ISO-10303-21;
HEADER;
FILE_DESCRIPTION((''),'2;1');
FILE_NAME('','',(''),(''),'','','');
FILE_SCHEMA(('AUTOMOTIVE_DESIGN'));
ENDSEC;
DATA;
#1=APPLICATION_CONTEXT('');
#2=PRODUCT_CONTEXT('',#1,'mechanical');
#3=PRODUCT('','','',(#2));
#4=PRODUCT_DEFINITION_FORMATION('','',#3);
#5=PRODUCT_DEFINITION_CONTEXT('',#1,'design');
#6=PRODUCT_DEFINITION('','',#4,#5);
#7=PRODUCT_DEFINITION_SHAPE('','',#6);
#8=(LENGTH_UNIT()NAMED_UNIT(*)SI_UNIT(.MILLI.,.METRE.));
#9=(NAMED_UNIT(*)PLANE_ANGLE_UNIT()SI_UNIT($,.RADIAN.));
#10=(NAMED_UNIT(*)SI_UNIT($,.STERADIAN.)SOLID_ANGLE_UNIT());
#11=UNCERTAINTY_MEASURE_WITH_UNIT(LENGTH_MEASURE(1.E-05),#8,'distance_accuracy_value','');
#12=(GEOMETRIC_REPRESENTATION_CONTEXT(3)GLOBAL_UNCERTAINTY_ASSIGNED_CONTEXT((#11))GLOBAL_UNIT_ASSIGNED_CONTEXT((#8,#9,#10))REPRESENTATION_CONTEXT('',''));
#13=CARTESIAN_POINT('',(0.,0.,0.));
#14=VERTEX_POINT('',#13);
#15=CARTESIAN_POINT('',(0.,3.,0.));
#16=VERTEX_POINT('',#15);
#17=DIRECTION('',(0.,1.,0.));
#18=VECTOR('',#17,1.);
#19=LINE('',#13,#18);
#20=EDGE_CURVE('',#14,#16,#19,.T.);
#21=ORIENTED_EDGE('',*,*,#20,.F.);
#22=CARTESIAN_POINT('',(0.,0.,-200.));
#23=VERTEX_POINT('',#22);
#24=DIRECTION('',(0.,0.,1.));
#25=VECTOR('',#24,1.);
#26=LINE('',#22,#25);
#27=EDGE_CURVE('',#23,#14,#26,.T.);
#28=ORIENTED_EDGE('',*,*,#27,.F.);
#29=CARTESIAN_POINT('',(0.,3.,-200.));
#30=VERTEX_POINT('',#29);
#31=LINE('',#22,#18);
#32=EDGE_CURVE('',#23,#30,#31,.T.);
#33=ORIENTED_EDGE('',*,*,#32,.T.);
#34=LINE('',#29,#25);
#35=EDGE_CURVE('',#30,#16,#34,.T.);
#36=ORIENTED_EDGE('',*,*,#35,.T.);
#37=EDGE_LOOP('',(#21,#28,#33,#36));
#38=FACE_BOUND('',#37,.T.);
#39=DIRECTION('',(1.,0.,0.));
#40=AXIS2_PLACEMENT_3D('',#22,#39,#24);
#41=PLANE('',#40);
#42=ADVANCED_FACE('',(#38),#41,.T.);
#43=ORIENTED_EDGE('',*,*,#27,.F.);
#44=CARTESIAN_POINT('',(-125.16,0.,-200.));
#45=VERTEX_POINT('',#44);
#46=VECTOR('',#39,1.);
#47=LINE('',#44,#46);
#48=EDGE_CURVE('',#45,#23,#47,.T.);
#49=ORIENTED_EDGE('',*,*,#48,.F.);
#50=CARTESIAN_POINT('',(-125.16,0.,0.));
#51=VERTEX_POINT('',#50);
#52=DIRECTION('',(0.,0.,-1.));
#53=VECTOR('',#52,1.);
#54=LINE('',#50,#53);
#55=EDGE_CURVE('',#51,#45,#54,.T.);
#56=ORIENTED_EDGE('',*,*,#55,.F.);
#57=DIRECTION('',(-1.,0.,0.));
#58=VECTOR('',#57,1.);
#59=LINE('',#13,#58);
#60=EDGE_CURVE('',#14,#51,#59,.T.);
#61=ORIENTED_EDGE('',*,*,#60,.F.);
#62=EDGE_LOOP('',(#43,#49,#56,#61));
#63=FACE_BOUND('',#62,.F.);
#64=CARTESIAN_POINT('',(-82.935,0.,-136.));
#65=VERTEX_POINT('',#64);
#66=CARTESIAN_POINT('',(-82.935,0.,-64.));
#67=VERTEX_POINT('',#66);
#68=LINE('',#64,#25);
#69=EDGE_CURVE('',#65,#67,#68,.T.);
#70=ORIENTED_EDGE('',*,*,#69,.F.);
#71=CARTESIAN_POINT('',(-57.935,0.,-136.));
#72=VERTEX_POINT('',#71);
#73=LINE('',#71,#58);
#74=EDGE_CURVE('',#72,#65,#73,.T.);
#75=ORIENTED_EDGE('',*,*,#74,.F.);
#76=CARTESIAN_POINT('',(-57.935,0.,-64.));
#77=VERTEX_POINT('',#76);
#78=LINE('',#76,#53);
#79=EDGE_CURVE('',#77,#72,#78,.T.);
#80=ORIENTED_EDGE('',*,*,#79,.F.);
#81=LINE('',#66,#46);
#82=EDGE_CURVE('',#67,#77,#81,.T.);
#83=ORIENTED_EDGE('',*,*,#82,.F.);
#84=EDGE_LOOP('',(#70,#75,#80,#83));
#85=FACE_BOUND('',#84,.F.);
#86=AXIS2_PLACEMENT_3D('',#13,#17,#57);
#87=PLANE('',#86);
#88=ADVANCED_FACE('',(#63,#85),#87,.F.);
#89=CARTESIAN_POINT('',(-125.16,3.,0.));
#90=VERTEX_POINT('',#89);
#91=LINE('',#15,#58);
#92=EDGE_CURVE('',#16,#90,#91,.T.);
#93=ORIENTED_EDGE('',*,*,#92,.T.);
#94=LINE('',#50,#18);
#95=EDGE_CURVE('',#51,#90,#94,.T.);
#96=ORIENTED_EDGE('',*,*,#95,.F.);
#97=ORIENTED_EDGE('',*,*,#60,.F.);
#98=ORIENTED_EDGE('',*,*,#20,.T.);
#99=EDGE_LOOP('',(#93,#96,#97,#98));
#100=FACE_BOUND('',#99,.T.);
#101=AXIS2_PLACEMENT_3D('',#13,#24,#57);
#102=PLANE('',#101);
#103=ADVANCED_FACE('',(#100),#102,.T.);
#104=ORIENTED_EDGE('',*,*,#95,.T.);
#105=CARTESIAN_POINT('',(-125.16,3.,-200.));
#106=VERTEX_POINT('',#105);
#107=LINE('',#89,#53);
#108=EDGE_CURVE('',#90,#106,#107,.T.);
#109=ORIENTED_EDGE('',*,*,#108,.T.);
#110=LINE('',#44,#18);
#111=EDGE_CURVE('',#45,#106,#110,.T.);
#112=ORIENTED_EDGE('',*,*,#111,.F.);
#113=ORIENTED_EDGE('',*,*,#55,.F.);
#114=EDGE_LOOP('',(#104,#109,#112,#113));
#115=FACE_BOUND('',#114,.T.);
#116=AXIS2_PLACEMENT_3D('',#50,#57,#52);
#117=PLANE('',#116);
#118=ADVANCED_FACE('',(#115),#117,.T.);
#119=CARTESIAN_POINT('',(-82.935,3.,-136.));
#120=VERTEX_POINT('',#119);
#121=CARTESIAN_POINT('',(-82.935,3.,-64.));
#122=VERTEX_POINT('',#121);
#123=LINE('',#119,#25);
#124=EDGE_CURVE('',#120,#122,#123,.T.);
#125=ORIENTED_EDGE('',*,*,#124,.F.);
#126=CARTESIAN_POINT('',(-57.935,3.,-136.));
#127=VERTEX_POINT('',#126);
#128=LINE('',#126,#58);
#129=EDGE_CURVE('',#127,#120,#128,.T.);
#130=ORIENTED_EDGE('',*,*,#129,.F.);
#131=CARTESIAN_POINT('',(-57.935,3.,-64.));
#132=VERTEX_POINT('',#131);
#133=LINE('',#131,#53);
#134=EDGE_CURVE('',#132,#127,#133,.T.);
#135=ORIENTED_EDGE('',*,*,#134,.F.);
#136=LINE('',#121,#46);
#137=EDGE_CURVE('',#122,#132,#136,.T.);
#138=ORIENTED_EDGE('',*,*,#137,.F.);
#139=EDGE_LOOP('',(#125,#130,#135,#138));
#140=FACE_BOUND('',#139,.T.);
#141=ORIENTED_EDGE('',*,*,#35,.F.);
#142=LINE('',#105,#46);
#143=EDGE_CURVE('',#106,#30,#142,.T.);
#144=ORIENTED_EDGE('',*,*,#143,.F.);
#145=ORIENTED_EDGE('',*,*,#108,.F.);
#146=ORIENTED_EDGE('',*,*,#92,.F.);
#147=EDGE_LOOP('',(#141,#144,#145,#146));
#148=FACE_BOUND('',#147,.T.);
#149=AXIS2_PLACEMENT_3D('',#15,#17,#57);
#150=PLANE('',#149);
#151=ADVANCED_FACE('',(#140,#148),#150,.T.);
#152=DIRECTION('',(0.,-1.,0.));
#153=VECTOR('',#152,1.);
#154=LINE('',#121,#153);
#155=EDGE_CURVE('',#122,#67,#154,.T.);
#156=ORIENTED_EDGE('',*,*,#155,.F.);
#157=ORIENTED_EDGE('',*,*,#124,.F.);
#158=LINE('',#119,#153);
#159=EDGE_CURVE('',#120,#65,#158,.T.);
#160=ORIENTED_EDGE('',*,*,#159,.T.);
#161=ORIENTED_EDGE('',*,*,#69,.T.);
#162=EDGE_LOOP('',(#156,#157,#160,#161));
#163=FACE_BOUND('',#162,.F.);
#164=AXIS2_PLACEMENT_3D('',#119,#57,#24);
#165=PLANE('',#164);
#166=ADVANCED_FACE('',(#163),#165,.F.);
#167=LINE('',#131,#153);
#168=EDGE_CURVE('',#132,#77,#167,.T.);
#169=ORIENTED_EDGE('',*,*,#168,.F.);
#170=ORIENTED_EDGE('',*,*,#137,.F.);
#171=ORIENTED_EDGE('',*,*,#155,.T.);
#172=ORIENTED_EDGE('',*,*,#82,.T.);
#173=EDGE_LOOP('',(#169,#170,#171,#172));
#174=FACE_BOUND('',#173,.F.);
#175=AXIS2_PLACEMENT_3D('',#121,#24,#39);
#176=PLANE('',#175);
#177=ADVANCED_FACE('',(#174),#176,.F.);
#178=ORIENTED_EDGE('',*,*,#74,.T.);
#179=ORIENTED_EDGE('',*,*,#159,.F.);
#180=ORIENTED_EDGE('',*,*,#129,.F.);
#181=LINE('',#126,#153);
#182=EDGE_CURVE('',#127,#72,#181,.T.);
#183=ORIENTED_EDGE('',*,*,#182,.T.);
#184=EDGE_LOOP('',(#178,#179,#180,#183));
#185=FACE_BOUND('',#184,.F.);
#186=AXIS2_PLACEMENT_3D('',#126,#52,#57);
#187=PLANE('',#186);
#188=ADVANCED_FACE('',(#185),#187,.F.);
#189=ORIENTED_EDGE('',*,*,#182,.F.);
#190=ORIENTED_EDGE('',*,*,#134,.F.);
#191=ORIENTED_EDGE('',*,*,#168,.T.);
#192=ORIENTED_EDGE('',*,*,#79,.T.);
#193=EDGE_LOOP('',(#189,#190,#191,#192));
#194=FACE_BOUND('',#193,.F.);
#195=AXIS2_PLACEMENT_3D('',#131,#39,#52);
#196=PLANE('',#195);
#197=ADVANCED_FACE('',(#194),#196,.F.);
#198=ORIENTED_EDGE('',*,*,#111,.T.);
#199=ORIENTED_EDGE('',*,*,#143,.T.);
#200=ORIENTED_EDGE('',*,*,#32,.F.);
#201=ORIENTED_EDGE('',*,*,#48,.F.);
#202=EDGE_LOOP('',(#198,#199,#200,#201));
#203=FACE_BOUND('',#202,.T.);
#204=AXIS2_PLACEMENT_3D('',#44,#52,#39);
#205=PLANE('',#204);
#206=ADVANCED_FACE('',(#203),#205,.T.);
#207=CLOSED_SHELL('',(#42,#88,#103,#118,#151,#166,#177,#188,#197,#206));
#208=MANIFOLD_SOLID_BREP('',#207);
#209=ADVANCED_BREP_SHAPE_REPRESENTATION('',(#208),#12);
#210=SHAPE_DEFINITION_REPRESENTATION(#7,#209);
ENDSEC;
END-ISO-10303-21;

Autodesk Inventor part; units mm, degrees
ref_plane "YZ Plane" through (0, 0, 0) normal (1, 0, 0) x (0, 1, 0)
ref_plane "XZ Plane" through (0, 0, 0) normal (0, 1, 0) x (-1, 0, 0)
ref_plane "XY Plane" through (0, 0, 0) normal (0, 0, 1) x (1, 0, 0)
sketch "Sketch1" plane through (0, 0, 0) normal (0, 1, 0) x (-1, 0, 0)
  line L0 (0, 0) -> (125.16, 0)
  line L1 (125.16, 0) -> (125.16, -200)
  line L2 (125.16, -200) -> (0, -200)
  line L3 (0, -200) -> (0, 0)
  dimension "d0" = 200
  dimension "d1" = 125.16
extrude "Extrusion1" add sketch "Sketch1" along normal blind 3
sketch "Sketch2" plane through (0, 3, 0) normal (0, 1, 0) x (1, 0, 0)
  line L0 (-82.935, 64) -> (-57.935, 64)
  line L1 (-57.935, 64) -> (-57.935, 136)
  line L2 (-57.935, 136) -> (-82.935, 136)
  line L3 (-82.935, 136) -> (-82.935, 64)
  line L4 (-125.16, 200) -> (-125.16, 0) projected
  line L5 (0, 200) -> (-125.16, 200) projected
  point P0 (0, 0)
  dimension "d4" = 72
  dimension "d5" = 25
  dimension "d6" = 42.225
  dimension "d7" = 64
extrude "Extrusion2" cut sketch "Sketch2" against normal blind 3
properties part number "Q top 2" material "ABS Plastic"
